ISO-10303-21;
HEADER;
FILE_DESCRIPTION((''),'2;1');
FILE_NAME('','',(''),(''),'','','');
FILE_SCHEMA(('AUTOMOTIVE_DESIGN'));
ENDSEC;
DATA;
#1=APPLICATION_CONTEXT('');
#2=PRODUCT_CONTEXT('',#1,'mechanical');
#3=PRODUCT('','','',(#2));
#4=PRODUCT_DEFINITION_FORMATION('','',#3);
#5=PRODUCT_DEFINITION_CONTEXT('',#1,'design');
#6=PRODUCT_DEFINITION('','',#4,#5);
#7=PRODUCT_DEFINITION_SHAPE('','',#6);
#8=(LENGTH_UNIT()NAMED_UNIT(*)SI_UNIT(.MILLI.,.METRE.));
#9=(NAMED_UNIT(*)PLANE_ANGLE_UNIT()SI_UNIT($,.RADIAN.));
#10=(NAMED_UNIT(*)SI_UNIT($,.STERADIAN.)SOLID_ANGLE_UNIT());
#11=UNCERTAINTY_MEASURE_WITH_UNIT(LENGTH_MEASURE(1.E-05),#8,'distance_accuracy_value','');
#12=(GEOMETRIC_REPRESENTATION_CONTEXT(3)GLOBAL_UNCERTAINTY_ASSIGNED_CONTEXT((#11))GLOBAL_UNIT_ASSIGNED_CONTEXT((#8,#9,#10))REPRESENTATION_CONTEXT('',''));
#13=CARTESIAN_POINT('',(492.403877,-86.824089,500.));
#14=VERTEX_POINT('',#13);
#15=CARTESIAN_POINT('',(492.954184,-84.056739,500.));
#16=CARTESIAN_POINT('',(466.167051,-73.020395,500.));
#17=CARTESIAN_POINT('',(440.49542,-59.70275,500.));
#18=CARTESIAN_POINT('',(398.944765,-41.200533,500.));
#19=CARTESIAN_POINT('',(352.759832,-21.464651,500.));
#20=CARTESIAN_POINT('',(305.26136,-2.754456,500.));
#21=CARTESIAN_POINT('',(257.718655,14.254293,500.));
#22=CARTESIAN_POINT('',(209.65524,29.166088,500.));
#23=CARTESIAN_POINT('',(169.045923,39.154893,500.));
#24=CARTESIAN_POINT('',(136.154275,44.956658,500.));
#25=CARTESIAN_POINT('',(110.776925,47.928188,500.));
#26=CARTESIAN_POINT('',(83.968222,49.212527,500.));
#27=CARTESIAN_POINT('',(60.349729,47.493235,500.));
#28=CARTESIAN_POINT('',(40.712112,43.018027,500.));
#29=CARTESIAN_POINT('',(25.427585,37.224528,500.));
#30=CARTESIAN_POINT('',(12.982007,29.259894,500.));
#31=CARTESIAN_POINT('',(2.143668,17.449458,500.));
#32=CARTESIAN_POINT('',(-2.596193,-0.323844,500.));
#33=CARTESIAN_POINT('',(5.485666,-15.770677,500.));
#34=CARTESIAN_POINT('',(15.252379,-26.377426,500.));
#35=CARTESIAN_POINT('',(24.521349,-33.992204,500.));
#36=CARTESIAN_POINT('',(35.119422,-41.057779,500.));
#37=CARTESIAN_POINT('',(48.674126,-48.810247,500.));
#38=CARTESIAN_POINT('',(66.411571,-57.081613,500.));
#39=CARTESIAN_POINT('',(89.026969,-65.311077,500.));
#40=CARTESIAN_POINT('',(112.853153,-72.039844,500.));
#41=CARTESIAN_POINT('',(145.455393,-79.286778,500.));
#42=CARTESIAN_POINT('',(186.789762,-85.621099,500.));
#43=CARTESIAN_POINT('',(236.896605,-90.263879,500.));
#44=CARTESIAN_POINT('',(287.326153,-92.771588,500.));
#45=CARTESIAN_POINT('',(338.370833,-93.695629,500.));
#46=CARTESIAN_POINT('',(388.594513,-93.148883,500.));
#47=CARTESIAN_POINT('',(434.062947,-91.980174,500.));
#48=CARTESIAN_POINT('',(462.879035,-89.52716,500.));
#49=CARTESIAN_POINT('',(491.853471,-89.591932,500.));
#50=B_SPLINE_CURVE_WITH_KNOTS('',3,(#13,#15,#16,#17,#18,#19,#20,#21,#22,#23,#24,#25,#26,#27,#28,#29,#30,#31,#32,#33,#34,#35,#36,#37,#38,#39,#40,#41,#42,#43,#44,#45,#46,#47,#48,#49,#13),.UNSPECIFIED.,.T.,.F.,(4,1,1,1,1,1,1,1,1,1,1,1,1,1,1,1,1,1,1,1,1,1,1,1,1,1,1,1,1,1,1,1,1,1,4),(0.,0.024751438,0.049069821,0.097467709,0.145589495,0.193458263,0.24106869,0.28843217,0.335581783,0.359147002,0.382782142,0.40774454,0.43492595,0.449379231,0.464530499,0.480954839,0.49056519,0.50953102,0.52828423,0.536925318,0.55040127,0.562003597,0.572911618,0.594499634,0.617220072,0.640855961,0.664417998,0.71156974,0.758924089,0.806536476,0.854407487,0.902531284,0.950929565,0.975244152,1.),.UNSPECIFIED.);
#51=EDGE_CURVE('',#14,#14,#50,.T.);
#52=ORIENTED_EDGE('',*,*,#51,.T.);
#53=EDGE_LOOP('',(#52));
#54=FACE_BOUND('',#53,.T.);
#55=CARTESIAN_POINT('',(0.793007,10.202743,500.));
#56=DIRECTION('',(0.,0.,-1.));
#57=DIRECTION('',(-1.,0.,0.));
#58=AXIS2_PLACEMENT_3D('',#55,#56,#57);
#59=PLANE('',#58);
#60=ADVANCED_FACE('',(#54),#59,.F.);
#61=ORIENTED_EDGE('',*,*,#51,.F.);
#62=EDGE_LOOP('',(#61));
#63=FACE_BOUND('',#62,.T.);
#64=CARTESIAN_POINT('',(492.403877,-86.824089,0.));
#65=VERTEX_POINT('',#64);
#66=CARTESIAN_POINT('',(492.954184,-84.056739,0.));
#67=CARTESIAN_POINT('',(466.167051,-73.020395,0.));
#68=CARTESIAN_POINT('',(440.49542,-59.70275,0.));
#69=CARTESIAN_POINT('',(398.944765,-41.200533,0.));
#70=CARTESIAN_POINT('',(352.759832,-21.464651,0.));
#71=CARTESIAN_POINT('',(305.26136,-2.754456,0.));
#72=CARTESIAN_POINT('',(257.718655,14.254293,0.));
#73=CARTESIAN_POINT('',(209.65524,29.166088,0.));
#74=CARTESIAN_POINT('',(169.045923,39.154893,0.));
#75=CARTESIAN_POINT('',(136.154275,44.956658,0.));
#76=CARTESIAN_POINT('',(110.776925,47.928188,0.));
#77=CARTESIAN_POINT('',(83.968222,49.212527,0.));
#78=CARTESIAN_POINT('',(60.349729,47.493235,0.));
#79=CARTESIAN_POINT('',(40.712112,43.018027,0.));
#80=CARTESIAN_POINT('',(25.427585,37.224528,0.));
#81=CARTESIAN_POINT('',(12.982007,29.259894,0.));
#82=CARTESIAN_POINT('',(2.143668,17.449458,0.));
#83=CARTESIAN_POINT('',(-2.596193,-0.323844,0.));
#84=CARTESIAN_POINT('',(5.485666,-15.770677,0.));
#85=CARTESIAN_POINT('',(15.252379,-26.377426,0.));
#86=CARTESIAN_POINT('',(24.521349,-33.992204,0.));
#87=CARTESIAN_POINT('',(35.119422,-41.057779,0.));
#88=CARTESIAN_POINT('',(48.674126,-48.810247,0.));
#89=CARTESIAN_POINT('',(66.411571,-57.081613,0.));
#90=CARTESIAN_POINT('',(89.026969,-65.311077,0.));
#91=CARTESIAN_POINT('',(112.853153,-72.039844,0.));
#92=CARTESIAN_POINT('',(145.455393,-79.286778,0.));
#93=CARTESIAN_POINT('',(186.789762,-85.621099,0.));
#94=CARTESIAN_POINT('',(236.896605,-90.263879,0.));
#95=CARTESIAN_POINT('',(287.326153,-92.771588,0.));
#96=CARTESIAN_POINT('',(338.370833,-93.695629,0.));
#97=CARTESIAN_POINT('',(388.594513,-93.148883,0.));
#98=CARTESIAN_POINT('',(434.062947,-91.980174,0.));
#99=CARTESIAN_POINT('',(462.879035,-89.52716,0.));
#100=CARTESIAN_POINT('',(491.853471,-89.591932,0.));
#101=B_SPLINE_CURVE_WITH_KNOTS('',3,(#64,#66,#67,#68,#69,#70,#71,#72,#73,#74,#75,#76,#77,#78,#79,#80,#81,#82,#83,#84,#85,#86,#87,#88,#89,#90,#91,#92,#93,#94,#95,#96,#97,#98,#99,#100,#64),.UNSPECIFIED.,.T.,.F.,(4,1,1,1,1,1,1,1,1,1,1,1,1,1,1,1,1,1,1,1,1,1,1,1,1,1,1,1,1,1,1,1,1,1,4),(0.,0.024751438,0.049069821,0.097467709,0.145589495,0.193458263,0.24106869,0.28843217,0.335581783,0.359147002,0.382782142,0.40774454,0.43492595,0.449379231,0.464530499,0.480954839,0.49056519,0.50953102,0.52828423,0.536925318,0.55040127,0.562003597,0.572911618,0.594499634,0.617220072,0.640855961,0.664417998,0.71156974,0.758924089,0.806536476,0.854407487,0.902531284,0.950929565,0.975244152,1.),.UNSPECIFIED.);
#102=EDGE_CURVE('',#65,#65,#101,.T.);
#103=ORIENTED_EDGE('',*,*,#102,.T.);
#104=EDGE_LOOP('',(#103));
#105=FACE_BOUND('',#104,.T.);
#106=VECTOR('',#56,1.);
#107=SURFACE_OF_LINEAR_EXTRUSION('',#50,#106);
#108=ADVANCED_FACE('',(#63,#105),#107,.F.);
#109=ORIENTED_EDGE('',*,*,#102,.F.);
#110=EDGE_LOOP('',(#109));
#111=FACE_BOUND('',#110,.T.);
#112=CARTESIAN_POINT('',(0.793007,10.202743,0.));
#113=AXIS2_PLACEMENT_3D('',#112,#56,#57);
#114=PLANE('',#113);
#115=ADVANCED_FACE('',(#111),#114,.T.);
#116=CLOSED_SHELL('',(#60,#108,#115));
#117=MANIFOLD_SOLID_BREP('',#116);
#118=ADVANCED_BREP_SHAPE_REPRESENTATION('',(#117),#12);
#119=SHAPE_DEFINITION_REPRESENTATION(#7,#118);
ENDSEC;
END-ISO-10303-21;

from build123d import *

# Parameters (mm, degrees)
DODANIE_WYCI_GNI_CIE1_DEPTH = 500


with BuildPart() as part:
    # Szkic1 → Dodanie-wyciągnięcie1 (new body)
    with BuildSketch(Plane.XY):
        with BuildLine():
            add(Edge.make_bspline(
                [(492.403876506, -86.824088833), (492.954183925, -84.056739131), (466.167050612, -73.020394711), (440.4954198, -59.702750111), (398.944764946, -41.200533372), (352.759831895, -21.46465106), (305.261359517, -2.754456166), (257.718655375, 14.254293133), (209.655239797, 29.166087807), (169.045923455, 39.154892742), (136.154275259, 44.956657836), (110.776924633, 47.928188315), (83.968221885, 49.212526813), (60.349729442, 47.493234554), (40.712111585, 43.018027414), (25.427584984, 37.224527859), (12.982006711, 29.259893539), (2.143667563, 17.449457735), (-2.596192564, -0.323843799), (5.485665638, -15.770676983), (15.252378702, -26.377426249), (24.521349021, -33.992203672), (35.11942239, -41.05777935), (48.674125762, -48.810247008), (66.411571462, -57.08161328), (89.026969187, -65.311076906), (112.853153061, -72.039844277), (145.455392904, -79.286778013), (186.789762441, -85.621098636), (236.896604511, -90.2638794), (287.326152898, -92.771588287), (338.370833109, -93.69562896), (388.594513344, -93.148882604), (434.062947006, -91.980173696), (462.879035258, -89.52716032), (491.853471045, -89.591931562), (492.403876506, -86.824088833)],
                knots=[0, 0, 0, 0, 0.024751438, 0.049069821, 0.097467709, 0.145589495, 0.193458263, 0.24106869, 0.28843217, 0.335581783, 0.359147002, 0.382782142, 0.40774454, 0.43492595, 0.449379231, 0.464530499, 0.480954839, 0.49056519, 0.50953102, 0.52828423, 0.536925318, 0.55040127, 0.562003597, 0.572911618, 0.594499634, 0.617220072, 0.640855961, 0.664417998, 0.71156974, 0.758924089, 0.806536476, 0.854407487, 0.902531284, 0.950929565, 0.975244152, 1, 1, 1, 1], degree=3))
        make_face()
    extrude(amount=DODANIE_WYCI_GNI_CIE1_DEPTH)


solid = part.part
